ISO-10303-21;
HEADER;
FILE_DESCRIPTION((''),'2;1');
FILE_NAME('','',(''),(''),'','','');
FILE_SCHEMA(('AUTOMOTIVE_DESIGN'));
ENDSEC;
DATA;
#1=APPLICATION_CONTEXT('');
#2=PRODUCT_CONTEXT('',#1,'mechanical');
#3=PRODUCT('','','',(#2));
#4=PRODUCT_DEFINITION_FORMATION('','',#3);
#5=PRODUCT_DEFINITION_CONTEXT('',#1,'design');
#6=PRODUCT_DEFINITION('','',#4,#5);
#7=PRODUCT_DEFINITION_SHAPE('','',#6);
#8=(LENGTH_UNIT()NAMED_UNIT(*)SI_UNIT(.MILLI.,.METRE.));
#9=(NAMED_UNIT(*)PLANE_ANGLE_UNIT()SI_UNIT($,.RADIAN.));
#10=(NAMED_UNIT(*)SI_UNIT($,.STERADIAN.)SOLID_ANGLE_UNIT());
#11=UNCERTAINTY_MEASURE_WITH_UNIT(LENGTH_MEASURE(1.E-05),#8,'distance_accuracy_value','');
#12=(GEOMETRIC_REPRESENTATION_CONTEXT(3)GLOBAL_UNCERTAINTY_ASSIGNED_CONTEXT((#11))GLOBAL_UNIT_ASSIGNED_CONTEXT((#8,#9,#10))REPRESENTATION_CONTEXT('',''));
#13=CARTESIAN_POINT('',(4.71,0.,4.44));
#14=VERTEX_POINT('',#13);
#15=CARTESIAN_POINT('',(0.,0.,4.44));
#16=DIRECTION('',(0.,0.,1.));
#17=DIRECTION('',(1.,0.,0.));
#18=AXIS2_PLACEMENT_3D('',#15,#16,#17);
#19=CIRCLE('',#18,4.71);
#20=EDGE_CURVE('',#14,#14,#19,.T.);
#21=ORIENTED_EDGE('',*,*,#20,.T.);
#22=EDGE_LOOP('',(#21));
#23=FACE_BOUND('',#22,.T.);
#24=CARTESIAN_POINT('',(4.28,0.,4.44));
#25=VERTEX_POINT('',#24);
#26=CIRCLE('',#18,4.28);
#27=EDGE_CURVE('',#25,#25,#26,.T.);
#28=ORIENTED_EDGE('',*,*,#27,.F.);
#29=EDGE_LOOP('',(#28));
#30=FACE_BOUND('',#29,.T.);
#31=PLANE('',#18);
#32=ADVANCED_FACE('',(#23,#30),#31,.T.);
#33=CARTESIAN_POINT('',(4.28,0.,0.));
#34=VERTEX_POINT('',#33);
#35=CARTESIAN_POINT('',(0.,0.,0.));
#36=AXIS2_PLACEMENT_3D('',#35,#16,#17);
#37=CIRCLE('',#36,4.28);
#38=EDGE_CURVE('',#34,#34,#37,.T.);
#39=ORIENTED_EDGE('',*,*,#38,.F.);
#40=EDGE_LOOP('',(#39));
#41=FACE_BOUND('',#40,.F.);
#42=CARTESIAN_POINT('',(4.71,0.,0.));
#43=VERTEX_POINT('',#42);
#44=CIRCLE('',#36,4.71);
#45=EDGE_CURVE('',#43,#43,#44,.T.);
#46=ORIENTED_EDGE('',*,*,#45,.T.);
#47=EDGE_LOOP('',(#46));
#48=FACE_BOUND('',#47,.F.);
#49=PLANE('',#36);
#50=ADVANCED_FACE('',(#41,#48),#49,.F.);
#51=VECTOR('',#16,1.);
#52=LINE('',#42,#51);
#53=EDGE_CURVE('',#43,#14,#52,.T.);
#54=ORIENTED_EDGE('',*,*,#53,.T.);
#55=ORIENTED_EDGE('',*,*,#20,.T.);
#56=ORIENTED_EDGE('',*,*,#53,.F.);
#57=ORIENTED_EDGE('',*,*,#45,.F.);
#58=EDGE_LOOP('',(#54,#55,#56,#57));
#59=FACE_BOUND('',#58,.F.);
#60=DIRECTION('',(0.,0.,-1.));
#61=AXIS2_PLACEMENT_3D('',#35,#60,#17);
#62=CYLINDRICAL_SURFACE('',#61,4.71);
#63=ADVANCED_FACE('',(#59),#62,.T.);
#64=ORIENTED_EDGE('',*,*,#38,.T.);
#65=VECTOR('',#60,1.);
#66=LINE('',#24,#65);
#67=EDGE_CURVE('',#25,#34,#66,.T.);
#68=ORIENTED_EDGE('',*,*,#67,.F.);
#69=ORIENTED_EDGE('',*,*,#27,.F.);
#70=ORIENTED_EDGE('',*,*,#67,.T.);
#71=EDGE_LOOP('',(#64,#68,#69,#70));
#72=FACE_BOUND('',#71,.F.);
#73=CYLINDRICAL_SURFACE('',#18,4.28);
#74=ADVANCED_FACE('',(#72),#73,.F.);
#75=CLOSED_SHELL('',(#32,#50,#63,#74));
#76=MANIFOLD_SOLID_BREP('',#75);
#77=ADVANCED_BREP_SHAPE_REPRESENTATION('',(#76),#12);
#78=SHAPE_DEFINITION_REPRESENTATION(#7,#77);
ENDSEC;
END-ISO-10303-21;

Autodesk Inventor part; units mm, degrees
ref_plane "YZ Plane" through (0, 0, 0) normal (1, 0, 0) x (0, 1, 0)
ref_plane "XZ Plane" through (0, 0, 0) normal (0, 1, 0) x (-1, 0, 0)
ref_plane "XY Plane" through (0, 0, 0) normal (0, 0, 1) x (1, 0, 0)
sketch "Sketch1" plane through (0, 0, 0) normal (0, 0, 1) x (1, 0, 0)
  circle A0 centre (0, 0) radius 4.71
  dimension "d0" = 9.42
extrude "Extrusion1" add sketch "Sketch1" along normal blind 4.44
sketch "Sketch2" plane through (0, 0, 4.44) normal (0, 0, 1) x (1, 0, 0)
  circle A0 centre (0, 0) radius 4.28
  dimension "d3" = 8.56
extrude "Extrusion2" cut sketch "Sketch2" against normal through all
properties part number "TRANSFER"
